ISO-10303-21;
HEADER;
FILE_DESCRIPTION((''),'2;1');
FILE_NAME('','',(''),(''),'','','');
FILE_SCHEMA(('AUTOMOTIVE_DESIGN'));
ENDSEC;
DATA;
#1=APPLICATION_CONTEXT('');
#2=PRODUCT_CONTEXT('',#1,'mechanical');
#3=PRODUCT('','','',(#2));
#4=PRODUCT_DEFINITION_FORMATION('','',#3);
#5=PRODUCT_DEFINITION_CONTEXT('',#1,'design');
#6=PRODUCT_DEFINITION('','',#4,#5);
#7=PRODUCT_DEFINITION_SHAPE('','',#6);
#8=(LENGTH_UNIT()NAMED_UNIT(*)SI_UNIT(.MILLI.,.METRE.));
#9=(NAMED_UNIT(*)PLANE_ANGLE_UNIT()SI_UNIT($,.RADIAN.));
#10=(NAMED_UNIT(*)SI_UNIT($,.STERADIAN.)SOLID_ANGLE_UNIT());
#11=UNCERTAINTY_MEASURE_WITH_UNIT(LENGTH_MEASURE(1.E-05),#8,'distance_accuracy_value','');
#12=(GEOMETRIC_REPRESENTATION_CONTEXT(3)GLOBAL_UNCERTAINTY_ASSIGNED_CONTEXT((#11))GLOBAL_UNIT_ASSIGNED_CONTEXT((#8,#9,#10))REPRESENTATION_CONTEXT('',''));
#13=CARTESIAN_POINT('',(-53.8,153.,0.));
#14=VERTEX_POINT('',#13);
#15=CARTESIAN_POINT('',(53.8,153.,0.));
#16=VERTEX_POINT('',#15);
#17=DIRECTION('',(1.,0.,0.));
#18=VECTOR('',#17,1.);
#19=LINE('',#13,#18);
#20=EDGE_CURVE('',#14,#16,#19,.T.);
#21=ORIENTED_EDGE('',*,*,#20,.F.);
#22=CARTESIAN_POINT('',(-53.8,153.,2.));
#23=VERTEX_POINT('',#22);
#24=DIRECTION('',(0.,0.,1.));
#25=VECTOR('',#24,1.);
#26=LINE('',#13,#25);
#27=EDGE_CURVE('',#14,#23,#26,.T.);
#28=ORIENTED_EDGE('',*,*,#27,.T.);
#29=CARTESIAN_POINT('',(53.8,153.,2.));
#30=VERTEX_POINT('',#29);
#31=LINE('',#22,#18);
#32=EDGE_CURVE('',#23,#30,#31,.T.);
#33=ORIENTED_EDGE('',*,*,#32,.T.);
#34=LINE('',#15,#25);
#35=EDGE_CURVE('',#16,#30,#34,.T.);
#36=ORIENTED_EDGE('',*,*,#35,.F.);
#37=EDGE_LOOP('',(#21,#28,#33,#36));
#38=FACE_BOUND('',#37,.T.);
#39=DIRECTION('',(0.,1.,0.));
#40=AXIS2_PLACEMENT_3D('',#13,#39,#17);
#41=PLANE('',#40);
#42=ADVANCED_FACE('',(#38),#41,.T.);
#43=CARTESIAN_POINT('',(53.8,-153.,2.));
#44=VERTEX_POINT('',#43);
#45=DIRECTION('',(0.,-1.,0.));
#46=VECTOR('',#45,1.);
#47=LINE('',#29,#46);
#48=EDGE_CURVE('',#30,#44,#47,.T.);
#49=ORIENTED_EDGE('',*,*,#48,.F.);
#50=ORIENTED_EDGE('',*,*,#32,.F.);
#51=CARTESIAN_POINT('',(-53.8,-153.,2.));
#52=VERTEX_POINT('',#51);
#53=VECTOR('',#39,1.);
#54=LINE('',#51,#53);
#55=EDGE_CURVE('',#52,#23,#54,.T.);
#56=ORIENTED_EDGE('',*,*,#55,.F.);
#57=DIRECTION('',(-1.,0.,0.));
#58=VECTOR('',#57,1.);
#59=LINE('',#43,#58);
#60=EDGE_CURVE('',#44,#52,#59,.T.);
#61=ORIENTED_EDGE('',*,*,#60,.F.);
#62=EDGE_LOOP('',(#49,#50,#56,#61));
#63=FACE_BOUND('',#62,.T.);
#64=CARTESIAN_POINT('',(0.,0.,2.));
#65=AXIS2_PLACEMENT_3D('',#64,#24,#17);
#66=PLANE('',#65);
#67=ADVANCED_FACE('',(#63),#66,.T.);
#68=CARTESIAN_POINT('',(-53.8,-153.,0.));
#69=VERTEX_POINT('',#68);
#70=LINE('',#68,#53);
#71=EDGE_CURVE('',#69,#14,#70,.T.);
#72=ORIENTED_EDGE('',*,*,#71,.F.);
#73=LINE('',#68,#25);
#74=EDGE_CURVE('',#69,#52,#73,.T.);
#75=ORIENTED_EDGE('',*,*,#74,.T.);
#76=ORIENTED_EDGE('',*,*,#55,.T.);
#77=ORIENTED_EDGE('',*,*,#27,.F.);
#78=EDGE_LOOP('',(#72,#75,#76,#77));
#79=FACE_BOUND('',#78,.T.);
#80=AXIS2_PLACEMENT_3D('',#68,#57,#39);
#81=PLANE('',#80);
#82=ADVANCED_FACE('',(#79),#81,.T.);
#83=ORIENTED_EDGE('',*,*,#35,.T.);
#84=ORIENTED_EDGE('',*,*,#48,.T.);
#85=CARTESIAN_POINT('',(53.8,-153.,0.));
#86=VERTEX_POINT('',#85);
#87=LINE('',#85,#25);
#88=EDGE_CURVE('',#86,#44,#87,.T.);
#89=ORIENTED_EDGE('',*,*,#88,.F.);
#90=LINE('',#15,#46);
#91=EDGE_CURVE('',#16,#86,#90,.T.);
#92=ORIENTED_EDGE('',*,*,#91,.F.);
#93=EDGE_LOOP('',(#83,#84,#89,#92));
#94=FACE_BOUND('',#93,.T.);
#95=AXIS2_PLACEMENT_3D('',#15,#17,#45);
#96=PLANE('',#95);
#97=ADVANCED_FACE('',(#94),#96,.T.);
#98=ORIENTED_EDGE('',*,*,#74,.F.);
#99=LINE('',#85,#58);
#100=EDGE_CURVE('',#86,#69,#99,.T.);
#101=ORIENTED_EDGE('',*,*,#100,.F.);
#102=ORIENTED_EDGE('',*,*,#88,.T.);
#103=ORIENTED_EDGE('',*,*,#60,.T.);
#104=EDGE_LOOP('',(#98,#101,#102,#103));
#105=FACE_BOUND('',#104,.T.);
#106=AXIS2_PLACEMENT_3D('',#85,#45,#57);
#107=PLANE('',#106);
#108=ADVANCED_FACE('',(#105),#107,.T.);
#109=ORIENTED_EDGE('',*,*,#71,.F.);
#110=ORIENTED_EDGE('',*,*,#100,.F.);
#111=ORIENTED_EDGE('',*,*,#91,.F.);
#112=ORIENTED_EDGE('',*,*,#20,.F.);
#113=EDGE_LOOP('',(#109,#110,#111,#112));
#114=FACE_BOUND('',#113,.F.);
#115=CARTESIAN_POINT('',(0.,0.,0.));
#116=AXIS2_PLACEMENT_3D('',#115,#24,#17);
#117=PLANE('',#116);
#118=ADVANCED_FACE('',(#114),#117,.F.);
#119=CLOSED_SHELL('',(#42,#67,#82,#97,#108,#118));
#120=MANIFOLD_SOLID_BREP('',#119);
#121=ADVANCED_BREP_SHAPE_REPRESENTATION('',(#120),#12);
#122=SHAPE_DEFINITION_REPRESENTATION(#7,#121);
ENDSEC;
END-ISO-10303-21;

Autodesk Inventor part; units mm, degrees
ref_plane "YZ Plane" through (0, 0, 0) normal (1, 0, 0) x (0, 1, 0)
ref_plane "XZ Plane" through (0, 0, 0) normal (0, 1, 0) x (-1, 0, 0)
ref_plane "XY Plane" through (0, 0, 0) normal (0, 0, 1) x (1, 0, 0)
sketch "Esboço1" plane through (0, 0, 0) normal (0, 0, 1) x (1, 0, 0)
  line L0 (-53.8, 153) -> (53.8, 153)
  line L1 (53.8, 153) -> (53.8, -153)
  line L2 (53.8, -153) -> (-53.8, -153)
  line L3 (-53.8, -153) -> (-53.8, 153)
  line L4 (-53.8, 153) -> (53.8, -153) construction
  line L5 (53.8, 153) -> (-53.8, -153) construction
  point P0 (0, 0)
  dimension "d0" = 306
  dimension "d1" = 107.6
extrude "Extrusão1" add sketch "Esboço1" along normal blind 2
sketch "Esboço2" plane through (0, 0, 2) normal (0, 0, 1) x (1, 0, 0)
  line L0 (-53.8, -153) -> (53.8, -153) projected
  line L1 (53.8, -153) -> (53.8, 153) projected
  line L2 (53.8, 153) -> (-53.8, 153) projected
  line L3 (-53.8, 153) -> (-53.8, -153) projected
properties part number "TAMPA"
